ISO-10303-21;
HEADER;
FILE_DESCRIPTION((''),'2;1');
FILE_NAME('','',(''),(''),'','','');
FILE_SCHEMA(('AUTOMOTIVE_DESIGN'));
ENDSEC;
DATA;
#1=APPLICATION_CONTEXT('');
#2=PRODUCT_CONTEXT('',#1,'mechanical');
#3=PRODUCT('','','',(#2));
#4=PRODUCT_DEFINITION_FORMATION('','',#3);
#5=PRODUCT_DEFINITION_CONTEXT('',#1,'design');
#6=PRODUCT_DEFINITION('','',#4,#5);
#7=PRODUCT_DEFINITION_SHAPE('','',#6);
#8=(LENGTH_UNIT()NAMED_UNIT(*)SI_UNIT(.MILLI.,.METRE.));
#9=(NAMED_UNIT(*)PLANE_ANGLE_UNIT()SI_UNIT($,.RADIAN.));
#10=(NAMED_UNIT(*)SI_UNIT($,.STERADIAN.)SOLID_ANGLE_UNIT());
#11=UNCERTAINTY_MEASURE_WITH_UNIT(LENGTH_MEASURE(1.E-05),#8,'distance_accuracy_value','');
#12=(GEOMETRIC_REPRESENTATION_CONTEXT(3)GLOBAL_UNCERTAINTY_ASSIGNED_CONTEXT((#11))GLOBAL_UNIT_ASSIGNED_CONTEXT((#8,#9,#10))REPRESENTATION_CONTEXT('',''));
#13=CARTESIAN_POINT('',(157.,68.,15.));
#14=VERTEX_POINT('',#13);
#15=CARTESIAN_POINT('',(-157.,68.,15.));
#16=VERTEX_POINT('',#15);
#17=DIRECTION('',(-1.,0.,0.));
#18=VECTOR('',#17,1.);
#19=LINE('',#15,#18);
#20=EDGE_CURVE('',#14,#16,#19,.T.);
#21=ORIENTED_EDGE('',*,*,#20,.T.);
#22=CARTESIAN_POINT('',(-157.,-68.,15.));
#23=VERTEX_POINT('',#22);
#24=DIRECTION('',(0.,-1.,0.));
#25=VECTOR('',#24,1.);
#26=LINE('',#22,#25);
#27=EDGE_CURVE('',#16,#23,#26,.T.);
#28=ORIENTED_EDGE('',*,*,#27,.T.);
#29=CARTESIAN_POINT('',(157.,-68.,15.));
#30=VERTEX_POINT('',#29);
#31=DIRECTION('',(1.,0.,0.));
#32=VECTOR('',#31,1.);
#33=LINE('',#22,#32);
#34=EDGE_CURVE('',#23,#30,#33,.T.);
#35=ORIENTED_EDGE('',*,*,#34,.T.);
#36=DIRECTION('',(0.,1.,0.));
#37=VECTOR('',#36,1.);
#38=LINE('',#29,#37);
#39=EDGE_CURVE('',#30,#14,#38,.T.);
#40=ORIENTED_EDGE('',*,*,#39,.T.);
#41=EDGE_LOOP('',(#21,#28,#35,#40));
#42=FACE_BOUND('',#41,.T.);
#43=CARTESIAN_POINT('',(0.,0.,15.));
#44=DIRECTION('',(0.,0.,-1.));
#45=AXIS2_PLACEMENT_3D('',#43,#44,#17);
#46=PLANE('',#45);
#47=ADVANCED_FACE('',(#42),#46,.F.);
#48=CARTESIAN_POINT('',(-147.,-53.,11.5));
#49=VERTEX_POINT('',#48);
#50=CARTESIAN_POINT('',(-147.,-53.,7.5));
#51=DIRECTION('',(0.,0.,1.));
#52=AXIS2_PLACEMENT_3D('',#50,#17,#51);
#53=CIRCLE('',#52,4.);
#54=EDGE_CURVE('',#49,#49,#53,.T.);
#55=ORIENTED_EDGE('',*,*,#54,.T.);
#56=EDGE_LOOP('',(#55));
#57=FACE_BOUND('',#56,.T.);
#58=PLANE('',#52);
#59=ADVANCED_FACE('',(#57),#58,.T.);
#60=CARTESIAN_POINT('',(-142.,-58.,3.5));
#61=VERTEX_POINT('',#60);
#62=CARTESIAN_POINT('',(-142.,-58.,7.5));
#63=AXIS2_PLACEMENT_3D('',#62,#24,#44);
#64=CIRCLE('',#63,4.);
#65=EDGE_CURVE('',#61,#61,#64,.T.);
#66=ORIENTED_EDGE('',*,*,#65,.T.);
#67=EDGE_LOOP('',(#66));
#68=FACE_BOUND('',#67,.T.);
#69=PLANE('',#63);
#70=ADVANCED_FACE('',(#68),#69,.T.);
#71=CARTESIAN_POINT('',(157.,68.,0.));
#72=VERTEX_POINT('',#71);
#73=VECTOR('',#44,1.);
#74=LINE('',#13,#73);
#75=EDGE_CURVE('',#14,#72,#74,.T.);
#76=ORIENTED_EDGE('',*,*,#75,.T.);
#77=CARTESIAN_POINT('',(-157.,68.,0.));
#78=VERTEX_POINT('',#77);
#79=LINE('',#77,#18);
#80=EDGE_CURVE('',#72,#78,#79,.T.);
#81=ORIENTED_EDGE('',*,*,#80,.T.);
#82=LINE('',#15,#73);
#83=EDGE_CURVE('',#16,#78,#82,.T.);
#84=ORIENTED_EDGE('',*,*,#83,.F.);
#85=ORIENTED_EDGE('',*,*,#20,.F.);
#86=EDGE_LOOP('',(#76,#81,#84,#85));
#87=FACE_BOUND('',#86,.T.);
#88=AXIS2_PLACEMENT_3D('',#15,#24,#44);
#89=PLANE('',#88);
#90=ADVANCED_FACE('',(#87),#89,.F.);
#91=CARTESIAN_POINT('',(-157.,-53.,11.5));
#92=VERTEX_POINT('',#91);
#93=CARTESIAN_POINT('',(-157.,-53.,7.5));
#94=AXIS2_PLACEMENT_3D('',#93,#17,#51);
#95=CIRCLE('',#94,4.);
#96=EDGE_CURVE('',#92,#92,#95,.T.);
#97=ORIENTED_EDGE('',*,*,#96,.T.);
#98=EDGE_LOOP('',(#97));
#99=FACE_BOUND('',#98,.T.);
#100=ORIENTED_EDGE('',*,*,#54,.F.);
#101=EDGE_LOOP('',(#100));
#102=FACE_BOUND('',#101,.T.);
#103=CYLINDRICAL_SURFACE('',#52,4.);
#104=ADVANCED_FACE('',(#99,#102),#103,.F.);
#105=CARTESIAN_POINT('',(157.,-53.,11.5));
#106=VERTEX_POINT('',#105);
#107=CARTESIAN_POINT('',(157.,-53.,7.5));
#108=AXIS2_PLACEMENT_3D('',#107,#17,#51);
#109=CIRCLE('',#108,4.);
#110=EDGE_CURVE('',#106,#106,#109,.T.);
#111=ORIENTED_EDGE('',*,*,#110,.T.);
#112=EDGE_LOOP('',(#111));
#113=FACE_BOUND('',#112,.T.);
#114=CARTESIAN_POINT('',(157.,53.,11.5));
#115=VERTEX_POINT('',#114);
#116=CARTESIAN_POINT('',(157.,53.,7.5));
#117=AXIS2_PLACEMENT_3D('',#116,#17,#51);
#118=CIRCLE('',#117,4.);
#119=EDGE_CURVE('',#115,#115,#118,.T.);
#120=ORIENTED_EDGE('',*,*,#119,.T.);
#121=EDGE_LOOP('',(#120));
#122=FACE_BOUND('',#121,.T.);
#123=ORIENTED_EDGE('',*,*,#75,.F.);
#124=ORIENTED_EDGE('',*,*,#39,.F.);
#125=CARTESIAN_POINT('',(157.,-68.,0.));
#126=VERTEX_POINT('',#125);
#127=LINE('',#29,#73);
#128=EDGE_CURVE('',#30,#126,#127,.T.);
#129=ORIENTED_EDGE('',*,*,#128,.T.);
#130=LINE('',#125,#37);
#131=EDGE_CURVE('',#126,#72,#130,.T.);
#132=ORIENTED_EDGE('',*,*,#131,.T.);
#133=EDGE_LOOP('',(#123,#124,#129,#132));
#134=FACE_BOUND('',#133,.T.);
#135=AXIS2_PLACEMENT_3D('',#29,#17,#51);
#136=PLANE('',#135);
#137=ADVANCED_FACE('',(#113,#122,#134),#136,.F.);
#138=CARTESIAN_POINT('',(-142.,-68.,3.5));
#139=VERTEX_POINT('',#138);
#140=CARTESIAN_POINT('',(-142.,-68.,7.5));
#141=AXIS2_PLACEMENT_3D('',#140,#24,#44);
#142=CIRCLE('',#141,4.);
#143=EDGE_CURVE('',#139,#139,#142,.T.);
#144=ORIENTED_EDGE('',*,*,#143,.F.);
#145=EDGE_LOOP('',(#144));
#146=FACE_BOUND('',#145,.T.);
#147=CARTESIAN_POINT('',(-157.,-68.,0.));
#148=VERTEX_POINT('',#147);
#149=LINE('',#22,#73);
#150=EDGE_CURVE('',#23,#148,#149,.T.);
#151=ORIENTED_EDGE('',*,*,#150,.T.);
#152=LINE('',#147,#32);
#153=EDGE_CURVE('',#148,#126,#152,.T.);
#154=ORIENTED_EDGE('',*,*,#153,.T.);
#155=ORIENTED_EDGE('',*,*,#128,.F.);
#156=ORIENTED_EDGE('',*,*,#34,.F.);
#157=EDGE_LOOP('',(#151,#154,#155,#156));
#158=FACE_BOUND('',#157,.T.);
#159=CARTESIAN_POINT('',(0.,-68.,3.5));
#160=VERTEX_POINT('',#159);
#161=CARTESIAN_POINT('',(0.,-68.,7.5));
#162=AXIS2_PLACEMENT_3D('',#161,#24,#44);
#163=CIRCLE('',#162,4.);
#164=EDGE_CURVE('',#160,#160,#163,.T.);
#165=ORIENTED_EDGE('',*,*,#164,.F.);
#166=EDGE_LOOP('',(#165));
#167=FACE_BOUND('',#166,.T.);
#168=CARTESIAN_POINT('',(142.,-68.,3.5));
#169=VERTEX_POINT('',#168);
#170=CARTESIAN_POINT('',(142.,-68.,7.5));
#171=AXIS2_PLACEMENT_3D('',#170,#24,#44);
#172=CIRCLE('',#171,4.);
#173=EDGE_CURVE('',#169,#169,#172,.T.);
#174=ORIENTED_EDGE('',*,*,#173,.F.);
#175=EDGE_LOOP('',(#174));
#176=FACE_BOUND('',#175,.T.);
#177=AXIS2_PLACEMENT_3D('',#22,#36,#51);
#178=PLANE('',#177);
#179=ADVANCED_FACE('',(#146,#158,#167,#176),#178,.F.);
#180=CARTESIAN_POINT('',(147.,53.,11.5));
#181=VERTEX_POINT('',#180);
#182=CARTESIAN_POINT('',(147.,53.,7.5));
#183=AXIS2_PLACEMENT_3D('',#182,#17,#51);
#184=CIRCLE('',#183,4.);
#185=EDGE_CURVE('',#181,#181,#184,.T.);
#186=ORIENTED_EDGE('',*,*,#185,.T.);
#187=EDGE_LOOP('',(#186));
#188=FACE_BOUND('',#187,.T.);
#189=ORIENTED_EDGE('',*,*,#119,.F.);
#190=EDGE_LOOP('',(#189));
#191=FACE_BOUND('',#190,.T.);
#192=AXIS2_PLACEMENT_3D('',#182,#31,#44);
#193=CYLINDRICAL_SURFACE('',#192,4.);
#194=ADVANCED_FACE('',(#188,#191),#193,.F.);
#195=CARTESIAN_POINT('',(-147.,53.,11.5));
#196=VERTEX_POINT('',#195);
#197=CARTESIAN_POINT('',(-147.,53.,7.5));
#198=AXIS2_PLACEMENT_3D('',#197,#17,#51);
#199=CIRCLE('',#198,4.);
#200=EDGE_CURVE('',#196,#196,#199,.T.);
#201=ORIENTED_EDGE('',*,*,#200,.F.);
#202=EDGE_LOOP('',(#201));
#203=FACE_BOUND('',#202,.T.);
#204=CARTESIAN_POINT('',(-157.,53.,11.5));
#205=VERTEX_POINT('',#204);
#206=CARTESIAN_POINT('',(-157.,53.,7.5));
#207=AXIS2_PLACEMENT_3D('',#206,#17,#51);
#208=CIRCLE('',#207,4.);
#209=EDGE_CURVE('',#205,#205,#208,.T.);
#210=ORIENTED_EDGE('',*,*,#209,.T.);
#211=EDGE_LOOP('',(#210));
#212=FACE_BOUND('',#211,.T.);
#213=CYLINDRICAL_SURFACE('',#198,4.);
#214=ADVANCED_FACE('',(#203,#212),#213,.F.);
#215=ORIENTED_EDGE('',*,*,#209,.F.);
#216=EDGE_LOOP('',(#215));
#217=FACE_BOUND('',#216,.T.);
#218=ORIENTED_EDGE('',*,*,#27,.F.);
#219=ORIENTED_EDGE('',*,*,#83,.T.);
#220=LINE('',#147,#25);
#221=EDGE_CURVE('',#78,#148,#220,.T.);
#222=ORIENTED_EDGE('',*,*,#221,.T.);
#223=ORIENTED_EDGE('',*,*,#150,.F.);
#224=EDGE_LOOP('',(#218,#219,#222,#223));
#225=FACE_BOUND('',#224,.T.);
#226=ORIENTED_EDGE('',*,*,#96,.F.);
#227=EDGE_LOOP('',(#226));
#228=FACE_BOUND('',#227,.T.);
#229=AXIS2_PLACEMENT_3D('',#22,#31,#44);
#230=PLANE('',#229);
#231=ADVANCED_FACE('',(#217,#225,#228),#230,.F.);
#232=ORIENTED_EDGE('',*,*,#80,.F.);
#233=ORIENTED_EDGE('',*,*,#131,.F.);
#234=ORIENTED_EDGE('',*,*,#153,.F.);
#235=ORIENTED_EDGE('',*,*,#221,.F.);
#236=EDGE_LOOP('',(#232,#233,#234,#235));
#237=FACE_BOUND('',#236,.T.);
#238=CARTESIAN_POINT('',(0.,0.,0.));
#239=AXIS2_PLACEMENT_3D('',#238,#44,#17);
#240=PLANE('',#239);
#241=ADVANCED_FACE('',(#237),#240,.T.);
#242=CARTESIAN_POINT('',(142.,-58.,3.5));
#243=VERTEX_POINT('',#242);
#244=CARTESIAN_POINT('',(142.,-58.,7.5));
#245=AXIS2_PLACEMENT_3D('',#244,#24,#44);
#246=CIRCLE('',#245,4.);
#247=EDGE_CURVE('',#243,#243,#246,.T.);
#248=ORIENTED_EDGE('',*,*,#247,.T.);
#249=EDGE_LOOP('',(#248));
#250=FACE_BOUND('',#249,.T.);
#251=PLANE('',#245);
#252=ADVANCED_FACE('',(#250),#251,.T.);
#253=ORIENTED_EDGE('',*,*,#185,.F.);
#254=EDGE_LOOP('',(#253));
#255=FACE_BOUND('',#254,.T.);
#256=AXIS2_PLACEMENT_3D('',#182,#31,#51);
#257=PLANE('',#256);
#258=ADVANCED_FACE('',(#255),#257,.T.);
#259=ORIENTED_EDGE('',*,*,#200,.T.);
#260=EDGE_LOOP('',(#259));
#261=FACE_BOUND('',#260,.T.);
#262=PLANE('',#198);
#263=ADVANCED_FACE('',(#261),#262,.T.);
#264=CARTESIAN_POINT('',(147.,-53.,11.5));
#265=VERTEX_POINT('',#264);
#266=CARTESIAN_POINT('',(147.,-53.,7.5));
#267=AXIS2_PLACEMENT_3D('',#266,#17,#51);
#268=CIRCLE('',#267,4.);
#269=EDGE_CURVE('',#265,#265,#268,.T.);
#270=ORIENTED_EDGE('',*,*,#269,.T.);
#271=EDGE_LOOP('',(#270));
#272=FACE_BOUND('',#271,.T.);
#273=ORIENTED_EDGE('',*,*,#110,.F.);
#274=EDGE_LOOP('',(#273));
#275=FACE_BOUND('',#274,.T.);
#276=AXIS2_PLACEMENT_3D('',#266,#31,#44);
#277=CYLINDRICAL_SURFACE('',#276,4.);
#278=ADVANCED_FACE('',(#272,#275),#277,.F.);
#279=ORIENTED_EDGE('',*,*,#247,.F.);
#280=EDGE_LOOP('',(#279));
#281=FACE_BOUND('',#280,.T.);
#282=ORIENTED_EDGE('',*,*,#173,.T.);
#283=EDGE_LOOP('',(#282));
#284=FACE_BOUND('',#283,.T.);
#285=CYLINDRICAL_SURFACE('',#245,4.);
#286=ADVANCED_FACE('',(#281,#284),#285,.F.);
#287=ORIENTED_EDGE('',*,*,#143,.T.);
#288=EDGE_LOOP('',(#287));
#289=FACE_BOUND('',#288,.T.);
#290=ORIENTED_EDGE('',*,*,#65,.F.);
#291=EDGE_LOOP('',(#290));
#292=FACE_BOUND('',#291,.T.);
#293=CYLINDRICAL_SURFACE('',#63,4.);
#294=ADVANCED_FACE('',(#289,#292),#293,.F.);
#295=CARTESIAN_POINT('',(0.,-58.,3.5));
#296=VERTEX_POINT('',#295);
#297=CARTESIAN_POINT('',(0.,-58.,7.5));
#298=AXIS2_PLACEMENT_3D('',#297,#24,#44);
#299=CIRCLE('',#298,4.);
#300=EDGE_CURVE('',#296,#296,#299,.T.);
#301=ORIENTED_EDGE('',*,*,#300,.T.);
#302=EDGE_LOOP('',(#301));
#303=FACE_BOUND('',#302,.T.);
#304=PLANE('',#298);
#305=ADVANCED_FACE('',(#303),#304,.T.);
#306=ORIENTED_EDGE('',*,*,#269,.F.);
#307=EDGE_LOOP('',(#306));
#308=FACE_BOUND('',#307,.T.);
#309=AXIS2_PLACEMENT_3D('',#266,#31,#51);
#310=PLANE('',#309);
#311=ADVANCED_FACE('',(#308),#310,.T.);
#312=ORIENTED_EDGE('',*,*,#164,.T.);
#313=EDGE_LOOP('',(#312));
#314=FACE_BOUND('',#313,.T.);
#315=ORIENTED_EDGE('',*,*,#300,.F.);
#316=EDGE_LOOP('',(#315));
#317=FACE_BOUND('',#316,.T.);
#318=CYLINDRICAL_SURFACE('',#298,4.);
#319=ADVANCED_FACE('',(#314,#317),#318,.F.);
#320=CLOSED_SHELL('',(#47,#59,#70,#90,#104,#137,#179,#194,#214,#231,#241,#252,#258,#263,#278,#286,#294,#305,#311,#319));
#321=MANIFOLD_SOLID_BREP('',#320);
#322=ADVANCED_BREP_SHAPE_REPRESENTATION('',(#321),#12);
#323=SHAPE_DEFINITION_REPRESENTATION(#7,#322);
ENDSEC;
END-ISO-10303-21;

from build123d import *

# Parameters (mm, degrees)
SKETCH1_W               = 314
SKETCH1_H               = 136
BOSS_EXTRUDE1_DEPTH     = 15
SKETCH2_R               = 4
CUT_EXTRUDE1_DEPTH      = 10
LPATTERN2_COUNT         = 2
LPATTERN2_PITCH         = 106
MIRROR1_COPY_1_SKETCH_R = 4
MIRROR1_COPY_1_DEPTH    = 10
SKETCH3_R               = 4
CUT_EXTRUDE2_DEPTH      = 10
LPATTERN1_COUNT         = 3
LPATTERN1_PITCH         = 142


with BuildPart() as part:
    # Sketch1 → Boss-Extrude1 (new body)
    with BuildSketch(Plane.XY):
        Rectangle(SKETCH1_W, SKETCH1_H)
    extrude(amount=BOSS_EXTRUDE1_DEPTH)

    # Sketch2 → Cut-Extrude1 (cut)
    with BuildSketch(Plane.ZY.offset(157)):
        with Locations((7.5, 53)):
            Circle(SKETCH2_R)
    cut_extrude1 = extrude(amount=-CUT_EXTRUDE1_DEPTH, mode=Mode.SUBTRACT)

    # LPattern2: Cut-Extrude1 ×2
    with Locations(*[(0, -i * LPATTERN2_PITCH, 0) for i in range(1, LPATTERN2_COUNT)]):
        add(cut_extrude1, mode=Mode.SUBTRACT)

    # Mirror1: Cut-Extrude1 across plane
    add(cut_extrude1.mirror(Plane(origin=(0, 0, 0), x_dir=(0, 0, 1), z_dir=(1, 0, 0))), mode=Mode.SUBTRACT)

    # Mirror1 copy 1 sketch → Mirror1 copy 1 (cut)
    with BuildSketch(Plane(origin=(157, -106, 0), x_dir=(0, 0, 1), z_dir=(1, 0, 0))):
        with Locations((7.5, -53)):
            Circle(MIRROR1_COPY_1_SKETCH_R)
    extrude(amount=-MIRROR1_COPY_1_DEPTH, mode=Mode.SUBTRACT)

    # Sketch3 → Cut-Extrude2 (cut)
    with BuildSketch(Plane.XZ.offset(68)):
        with Locations((-142, 7.5)):
            Circle(SKETCH3_R)
    cut_extrude2 = extrude(amount=-CUT_EXTRUDE2_DEPTH, mode=Mode.SUBTRACT)

    # LPattern1: Cut-Extrude2 ×3
    with Locations(*[(i * LPATTERN1_PITCH, 0, 0) for i in range(1, LPATTERN1_COUNT)]):
        add(cut_extrude2, mode=Mode.SUBTRACT)


solid = part.part
